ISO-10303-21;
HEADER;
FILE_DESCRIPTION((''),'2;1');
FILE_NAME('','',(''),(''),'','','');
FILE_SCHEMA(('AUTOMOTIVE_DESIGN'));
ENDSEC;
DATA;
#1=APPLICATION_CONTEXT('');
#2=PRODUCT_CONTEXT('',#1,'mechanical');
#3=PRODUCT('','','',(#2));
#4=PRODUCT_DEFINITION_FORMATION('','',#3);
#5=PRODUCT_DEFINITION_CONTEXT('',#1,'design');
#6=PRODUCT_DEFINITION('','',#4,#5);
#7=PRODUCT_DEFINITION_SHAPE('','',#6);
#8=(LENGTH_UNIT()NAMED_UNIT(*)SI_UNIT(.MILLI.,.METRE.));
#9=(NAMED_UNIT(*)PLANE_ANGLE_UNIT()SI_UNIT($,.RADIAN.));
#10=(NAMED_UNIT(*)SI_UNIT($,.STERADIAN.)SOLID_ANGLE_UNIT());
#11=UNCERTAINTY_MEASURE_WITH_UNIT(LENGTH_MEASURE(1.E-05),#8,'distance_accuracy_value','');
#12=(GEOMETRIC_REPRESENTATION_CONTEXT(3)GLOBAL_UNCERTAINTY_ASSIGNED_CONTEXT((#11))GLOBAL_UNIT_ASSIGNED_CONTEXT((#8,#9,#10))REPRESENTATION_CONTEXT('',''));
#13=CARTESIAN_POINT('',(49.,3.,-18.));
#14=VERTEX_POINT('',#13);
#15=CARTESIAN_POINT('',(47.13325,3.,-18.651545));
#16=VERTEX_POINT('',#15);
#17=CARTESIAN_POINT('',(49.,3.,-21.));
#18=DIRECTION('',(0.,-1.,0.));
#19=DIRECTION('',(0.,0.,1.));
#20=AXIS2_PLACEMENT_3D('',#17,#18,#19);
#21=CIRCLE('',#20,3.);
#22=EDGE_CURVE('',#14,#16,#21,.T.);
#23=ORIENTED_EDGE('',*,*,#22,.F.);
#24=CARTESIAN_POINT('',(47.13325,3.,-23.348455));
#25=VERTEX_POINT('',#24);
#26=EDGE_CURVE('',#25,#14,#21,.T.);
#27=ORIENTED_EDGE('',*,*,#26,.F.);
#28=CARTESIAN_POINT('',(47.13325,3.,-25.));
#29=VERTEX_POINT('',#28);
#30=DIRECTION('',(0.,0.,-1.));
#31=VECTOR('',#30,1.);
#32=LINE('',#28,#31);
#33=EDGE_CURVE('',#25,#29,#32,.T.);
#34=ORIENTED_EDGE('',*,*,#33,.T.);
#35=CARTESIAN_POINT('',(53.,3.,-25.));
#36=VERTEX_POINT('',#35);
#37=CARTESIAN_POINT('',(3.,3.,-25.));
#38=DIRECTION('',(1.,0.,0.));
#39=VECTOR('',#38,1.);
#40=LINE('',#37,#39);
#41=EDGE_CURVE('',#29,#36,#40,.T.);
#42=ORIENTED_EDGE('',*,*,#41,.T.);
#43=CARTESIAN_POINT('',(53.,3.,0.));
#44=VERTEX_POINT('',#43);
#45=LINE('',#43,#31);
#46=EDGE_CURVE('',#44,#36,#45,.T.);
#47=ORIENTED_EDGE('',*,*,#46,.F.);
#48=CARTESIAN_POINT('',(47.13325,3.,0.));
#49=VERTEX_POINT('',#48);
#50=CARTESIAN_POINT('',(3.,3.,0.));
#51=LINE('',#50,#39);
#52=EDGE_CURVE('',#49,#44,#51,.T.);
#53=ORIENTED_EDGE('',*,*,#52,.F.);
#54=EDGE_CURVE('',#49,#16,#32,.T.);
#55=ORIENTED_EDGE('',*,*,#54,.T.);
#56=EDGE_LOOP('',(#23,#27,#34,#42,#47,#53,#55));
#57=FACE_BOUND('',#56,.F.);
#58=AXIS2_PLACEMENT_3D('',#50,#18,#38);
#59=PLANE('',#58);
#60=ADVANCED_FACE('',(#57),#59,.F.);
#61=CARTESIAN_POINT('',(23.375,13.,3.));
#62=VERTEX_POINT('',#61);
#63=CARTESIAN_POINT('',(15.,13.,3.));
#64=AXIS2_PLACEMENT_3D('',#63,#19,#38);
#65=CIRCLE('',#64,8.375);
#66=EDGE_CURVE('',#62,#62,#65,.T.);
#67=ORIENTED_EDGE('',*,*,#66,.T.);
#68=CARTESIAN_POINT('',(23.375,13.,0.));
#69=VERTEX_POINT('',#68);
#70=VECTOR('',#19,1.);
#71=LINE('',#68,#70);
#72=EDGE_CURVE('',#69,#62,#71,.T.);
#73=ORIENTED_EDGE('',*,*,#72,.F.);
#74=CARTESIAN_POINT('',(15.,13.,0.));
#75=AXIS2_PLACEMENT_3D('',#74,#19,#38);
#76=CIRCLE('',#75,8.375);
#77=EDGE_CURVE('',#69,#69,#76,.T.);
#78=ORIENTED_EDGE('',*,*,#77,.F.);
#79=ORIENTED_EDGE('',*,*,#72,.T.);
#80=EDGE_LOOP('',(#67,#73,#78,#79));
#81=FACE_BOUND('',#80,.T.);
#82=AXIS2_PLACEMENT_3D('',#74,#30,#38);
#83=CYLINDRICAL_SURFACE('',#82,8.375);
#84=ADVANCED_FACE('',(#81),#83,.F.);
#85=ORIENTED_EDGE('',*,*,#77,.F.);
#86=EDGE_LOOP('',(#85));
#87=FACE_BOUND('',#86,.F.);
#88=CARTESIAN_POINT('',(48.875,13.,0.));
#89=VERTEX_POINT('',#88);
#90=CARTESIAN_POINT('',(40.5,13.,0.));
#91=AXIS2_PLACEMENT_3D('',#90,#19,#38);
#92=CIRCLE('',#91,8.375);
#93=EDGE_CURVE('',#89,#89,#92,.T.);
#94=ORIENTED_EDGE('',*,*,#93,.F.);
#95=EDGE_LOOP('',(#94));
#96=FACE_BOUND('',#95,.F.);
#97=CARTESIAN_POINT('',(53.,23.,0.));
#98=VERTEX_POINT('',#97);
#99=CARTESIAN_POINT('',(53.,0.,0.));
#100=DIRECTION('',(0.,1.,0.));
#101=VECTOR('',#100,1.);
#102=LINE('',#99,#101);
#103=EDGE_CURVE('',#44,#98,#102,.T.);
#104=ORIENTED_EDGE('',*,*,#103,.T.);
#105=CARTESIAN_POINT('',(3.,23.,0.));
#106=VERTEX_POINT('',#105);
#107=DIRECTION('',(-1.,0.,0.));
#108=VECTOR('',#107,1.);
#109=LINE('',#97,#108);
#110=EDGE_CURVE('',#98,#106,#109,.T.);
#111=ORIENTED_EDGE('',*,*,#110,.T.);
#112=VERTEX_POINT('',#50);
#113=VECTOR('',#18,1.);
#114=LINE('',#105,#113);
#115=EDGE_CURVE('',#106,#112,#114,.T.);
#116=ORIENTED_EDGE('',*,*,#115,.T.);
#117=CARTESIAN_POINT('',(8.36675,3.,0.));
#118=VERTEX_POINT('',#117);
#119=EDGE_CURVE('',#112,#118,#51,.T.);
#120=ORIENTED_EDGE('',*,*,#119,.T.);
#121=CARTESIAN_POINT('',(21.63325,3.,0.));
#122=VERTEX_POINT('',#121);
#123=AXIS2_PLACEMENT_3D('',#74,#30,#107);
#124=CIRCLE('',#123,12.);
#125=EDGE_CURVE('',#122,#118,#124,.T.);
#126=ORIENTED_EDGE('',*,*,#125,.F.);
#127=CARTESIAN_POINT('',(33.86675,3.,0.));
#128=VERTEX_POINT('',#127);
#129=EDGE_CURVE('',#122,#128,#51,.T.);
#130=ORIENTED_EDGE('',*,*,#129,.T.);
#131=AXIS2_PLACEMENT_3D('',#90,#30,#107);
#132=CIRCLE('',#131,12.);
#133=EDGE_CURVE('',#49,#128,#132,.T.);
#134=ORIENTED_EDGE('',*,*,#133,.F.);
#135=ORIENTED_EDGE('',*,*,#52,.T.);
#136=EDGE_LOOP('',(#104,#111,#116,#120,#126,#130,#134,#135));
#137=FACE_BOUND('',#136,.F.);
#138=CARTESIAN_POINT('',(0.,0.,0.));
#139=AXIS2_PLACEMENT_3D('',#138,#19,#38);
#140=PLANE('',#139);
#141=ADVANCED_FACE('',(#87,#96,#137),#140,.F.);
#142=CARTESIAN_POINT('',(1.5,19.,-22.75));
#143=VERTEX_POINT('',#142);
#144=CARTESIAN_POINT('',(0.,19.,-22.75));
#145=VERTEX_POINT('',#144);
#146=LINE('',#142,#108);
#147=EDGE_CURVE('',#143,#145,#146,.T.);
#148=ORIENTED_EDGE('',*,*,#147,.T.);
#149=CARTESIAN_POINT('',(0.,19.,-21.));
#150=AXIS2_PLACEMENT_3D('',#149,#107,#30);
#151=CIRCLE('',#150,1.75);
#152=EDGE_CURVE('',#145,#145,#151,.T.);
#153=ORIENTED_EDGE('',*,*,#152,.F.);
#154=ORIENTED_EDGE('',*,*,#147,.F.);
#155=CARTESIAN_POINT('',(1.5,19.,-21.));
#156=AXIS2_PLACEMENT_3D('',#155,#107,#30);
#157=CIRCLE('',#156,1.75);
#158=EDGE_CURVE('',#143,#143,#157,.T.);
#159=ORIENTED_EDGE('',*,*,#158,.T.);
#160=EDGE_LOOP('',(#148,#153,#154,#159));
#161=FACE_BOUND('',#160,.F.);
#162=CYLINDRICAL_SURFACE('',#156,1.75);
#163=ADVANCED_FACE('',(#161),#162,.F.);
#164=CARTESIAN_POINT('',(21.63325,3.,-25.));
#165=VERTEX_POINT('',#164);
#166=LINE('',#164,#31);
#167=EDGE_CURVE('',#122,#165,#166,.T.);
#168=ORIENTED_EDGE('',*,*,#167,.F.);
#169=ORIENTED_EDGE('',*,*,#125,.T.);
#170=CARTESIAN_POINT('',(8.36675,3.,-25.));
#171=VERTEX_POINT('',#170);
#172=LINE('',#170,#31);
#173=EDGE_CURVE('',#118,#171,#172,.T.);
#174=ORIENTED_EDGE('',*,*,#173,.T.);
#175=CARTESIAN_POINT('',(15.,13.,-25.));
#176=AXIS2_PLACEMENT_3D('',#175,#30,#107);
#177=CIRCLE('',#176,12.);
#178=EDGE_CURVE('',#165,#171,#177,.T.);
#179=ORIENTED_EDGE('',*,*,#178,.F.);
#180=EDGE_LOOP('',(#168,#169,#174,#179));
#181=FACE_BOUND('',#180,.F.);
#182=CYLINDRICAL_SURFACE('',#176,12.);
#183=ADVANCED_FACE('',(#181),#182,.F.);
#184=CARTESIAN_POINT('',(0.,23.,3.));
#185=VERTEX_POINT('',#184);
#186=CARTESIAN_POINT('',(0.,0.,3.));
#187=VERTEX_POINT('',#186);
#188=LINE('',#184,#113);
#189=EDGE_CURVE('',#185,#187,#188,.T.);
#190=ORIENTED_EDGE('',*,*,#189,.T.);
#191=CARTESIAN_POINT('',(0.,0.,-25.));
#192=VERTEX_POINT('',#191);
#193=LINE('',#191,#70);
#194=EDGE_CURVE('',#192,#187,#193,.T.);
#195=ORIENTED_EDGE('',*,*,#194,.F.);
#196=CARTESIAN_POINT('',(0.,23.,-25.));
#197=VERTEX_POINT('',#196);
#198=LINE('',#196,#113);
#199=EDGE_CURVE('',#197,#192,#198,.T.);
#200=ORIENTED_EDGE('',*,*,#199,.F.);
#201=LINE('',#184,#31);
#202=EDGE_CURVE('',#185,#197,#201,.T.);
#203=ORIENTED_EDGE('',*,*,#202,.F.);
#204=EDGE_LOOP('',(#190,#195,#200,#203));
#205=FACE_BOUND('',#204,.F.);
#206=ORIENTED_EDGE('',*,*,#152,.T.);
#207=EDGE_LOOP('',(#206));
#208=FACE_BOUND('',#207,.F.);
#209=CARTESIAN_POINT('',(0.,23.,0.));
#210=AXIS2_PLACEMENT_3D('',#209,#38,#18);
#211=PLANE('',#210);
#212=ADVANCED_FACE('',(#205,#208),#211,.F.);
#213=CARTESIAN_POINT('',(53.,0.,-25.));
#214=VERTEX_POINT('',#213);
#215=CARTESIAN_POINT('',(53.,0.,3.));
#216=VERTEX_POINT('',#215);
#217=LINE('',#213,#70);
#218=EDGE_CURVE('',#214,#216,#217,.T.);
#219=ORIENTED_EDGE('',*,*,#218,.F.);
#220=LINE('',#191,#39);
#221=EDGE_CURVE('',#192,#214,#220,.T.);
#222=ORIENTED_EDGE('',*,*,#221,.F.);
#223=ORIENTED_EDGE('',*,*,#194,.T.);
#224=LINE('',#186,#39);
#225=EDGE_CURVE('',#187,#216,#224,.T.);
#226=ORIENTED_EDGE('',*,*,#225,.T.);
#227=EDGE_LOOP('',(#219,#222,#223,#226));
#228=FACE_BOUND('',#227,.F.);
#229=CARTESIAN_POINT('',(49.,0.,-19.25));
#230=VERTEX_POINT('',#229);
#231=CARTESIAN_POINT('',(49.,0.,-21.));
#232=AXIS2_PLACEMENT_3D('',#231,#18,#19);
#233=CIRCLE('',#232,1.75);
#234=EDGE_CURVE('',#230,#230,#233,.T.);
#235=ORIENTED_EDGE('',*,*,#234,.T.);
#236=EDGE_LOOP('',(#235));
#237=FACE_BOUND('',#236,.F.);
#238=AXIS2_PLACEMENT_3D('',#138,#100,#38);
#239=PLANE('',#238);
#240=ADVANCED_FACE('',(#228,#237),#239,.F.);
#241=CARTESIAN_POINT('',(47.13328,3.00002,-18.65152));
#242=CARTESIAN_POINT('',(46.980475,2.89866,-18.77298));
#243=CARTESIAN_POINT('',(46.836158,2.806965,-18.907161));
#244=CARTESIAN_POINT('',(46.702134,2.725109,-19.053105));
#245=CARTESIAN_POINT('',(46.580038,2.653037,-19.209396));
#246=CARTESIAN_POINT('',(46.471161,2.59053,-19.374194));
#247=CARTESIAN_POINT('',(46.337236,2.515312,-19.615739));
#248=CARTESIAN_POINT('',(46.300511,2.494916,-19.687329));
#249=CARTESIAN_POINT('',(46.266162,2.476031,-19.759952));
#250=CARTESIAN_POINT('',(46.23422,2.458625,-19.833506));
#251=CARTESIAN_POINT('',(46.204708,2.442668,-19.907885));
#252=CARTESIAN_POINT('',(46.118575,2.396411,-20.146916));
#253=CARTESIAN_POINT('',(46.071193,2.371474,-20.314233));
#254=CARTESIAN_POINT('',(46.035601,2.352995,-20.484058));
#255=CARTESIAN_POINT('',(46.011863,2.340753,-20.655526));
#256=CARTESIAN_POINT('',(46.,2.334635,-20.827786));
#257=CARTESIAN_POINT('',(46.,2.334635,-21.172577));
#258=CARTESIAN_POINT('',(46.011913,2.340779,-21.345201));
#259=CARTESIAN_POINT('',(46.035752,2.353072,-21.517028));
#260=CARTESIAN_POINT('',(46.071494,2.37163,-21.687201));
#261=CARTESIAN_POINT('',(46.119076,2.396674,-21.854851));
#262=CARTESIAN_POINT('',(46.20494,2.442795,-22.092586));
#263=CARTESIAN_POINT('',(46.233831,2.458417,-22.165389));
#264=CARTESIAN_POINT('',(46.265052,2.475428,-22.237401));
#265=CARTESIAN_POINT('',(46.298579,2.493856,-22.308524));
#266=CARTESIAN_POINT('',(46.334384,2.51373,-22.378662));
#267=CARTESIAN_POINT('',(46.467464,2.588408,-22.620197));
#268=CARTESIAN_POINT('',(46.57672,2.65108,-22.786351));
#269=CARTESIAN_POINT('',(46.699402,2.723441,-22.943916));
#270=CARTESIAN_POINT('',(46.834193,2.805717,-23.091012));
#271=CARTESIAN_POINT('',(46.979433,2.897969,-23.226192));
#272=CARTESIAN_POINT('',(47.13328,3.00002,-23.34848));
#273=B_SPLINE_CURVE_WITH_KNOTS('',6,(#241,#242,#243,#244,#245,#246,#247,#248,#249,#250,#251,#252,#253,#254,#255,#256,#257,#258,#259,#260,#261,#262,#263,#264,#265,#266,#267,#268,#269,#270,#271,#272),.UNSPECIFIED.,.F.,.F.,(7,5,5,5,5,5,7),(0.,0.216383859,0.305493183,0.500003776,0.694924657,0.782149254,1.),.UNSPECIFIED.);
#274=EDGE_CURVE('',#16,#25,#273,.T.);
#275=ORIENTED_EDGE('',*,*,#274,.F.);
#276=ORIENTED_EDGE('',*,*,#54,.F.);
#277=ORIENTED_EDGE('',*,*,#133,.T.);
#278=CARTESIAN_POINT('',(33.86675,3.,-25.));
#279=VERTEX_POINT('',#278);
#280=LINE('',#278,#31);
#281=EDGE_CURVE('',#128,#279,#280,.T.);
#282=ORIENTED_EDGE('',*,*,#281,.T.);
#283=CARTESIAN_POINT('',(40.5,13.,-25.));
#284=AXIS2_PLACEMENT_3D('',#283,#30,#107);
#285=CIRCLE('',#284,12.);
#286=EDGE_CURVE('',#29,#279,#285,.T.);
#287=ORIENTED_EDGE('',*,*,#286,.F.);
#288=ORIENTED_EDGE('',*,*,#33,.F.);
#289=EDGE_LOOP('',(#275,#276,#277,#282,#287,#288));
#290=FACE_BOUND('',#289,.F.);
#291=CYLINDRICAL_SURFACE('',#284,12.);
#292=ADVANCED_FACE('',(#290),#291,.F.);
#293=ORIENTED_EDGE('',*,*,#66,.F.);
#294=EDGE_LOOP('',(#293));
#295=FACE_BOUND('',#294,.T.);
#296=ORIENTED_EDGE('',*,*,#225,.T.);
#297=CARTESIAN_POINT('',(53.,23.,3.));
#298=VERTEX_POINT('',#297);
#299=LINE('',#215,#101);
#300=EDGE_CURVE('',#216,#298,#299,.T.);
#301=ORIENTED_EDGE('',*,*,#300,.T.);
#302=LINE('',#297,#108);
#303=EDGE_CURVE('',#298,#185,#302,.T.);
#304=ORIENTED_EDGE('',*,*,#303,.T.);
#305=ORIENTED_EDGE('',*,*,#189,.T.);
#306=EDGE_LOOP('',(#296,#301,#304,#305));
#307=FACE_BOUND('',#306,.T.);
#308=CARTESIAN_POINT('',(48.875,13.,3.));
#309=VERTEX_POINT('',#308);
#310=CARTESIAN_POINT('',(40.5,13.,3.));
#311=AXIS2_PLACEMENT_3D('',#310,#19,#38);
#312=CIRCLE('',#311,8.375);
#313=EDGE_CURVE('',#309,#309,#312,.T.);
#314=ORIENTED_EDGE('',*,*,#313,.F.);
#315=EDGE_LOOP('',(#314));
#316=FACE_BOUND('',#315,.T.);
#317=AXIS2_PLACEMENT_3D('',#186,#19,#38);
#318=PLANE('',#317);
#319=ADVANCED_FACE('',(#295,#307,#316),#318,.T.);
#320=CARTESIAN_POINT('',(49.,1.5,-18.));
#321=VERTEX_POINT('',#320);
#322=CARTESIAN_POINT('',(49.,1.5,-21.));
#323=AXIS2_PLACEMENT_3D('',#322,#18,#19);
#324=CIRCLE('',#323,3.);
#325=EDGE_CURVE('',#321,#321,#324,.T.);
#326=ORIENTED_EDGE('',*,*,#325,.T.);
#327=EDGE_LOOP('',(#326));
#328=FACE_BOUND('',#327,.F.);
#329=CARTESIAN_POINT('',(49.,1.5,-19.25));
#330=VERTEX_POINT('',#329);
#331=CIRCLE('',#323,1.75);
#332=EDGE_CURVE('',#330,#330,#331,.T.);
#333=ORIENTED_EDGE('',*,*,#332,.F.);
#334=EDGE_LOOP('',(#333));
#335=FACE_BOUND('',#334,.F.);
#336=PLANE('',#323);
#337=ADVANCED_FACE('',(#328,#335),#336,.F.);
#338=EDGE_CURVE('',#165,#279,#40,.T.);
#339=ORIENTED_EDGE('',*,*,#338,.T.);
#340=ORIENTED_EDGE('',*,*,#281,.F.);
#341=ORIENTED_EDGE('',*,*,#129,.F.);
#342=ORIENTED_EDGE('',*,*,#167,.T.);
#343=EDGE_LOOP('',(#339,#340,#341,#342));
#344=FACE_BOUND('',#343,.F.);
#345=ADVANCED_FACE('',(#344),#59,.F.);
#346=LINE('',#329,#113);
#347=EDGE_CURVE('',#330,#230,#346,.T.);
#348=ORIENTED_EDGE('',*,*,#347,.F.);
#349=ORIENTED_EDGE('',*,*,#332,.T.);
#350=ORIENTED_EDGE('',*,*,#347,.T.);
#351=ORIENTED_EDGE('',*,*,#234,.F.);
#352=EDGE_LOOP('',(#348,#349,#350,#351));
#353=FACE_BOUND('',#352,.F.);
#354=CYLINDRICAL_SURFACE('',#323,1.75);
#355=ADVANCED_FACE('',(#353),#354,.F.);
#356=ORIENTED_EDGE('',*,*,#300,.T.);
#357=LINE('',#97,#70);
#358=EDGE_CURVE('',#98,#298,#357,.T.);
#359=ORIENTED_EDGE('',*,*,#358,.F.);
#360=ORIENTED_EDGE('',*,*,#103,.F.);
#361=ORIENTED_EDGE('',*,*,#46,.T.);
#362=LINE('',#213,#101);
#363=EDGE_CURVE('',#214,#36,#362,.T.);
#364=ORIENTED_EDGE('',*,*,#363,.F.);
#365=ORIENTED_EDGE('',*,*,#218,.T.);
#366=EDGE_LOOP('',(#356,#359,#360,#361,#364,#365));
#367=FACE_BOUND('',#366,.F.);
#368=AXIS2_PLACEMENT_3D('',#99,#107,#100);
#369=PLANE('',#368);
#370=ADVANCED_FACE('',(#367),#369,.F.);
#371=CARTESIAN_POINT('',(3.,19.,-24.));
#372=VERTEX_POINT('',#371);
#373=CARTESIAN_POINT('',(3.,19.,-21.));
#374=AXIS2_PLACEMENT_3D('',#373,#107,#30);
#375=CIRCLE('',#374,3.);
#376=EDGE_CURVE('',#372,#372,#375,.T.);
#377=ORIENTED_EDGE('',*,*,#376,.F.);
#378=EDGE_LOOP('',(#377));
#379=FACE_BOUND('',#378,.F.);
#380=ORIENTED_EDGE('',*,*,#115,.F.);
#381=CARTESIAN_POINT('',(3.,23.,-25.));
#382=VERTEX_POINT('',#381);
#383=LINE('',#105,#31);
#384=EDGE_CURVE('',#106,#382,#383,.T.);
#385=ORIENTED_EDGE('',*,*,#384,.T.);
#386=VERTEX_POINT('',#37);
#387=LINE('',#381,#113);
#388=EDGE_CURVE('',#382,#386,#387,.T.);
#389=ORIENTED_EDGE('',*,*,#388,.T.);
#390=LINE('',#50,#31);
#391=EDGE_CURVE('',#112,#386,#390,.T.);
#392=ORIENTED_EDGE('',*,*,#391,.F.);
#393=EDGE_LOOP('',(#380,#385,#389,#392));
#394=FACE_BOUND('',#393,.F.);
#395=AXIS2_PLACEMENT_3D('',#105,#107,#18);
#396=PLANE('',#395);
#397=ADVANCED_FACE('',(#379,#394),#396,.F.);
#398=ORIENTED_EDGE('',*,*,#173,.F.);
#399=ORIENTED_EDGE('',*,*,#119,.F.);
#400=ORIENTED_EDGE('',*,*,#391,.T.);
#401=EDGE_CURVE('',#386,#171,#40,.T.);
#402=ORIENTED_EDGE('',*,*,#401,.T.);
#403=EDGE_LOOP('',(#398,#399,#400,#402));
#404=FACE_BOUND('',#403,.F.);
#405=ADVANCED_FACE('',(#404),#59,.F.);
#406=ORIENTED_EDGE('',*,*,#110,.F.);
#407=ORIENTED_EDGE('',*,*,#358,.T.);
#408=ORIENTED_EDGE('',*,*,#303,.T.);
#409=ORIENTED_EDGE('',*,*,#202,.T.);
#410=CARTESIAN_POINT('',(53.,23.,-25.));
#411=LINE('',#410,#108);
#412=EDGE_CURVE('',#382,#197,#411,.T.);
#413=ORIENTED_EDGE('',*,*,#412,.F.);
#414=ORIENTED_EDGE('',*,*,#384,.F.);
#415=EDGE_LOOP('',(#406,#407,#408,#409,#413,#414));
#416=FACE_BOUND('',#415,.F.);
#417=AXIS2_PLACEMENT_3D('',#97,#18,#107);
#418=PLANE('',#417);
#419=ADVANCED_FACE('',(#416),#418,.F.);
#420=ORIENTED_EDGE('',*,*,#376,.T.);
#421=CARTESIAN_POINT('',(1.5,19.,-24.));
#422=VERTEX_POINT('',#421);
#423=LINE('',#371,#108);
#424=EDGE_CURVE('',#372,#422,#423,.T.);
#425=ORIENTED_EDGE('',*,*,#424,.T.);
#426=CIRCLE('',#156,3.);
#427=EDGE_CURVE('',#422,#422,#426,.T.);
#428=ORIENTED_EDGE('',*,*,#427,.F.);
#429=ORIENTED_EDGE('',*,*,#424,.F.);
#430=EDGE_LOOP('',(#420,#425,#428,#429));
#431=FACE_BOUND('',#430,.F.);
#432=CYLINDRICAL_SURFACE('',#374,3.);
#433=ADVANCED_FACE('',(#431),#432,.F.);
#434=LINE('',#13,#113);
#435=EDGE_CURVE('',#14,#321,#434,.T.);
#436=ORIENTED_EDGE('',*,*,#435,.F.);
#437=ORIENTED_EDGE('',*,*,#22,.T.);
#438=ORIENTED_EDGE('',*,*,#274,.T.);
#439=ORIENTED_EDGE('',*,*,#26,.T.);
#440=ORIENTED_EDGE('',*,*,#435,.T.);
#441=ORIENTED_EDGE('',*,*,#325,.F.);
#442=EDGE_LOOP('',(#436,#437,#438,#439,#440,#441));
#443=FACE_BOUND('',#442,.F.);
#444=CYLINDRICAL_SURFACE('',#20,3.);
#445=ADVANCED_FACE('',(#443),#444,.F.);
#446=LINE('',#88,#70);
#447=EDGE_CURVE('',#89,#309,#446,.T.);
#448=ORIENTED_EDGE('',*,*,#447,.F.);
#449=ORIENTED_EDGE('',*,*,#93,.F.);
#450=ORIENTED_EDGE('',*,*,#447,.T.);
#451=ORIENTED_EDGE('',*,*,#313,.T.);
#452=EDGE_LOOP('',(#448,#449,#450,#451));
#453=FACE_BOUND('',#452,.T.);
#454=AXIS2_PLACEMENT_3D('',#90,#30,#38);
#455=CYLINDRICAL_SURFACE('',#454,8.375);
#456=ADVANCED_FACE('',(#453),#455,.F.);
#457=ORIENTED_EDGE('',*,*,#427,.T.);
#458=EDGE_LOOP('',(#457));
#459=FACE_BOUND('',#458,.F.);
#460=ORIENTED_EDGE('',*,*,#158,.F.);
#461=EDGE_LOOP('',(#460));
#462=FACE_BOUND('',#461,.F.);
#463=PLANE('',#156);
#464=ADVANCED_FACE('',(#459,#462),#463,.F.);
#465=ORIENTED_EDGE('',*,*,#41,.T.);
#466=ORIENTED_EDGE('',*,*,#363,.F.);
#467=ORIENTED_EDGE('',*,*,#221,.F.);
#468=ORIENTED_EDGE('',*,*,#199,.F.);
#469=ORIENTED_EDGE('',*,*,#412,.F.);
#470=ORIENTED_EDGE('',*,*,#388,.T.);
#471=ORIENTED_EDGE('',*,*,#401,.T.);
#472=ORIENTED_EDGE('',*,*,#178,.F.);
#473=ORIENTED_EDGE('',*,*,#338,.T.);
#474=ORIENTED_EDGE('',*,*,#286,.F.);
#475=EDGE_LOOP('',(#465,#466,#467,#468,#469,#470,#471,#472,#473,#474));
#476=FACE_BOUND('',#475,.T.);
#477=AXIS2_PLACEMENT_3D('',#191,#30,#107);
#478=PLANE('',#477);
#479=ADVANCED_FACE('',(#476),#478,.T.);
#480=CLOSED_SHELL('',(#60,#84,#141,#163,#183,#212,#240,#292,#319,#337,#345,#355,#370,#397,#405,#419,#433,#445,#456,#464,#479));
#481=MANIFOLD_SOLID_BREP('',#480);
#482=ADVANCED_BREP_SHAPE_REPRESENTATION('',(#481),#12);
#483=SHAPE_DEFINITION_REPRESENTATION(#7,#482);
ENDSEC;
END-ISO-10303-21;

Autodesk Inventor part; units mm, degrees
ref_plane "YZ Plane" through (0, 0, 0) normal (1, 0, 0) x (0, 1, 0)
ref_plane "XZ Plane" through (0, 0, 0) normal (0, 1, 0) x (-1, 0, 0)
ref_plane "XY Plane" through (0, 0, 0) normal (0, 0, 1) x (1, 0, 0)
sketch "Skizze1" plane through (0, 0, 0) normal (0, 0, 1) x (1, 0, 0)
  line L0 (0, 0) -> (53, 0)
  line L1 (53, 0) -> (53, 23)
  line L2 (53, 23) -> (0, 23)
  line L3 (0, 23) -> (0, 0)
  circle A0 centre (15, 13) radius 8.375
  circle A1 centre (40.5, 13) radius 8.375
  dimension "D" = 16.75
  dimension "d1" = 16.75
  dimension "Hoehe" = 23
  dimension "L" = 53
  dimension "d5" = 15
  dimension "d7" = 10
  dimension "d14" = 12.5
extrude "Extrusion1" add sketch "Skizze1" along normal blind 3
sketch "Skizze2" plane through (0, 0, 0) normal (0, 0, -1) x (-1, 0, 0)
  line L0 (-53, 0) -> (-53, 23) projected
  line L1 (0, 0) -> (-53, 0) projected
  line L2 (0, 23) -> (0, 0) projected
  line L3 (-53, 23) -> (0, 23) projected
  circle A0 centre (-15, 13) radius 8.375 projected
  circle A1 centre (-40.5, 13) radius 8.375 projected
  line L4 (-53, 23) -> (0, 23) projected
  line L5 (-3, 23) -> (-3, 3)
  line L6 (-3, 3) -> (-53, 3)
  dimension "Dicke" = 3
  dimension "d11" = 3
extrude "Extrusion2" add sketch "Skizze2" along normal blind 25 contours L0 L6 L5 L3 L2 L1
sketch "Skizze3" plane through (3, 3, 0) normal (0, 1, 0) x (1, 0, 0)
  line L0 (50, 0) -> (50, 25) projected
  line L1 (0, 25) -> (50, 25) projected
  point P0 (-3, 0)
  point P1 (46, 21)
  dimension "d22" = 4
  dimension "d23" = 4
hole "Bohrung1" at (49, 3, -21) direction (0, -1, 0) diameter 3.5 end through all counterbore diameter 6 counterbore depth 1.5
sketch "Skizze4" plane through (3, 3, 0) normal (1, 0, 0) x (0, 0, -1)
  line L0 (0, 20) -> (25, 20) projected
  line L1 (25, 20) -> (25, 0) projected
  point P0 (0, -3)
  point P1 (21, 16)
  dimension "d31" = 4
  dimension "d32" = 4
hole "Bohrung2" at (3, 19, -21) direction (-1, 0, 0) diameter 3.5 end through all counterbore diameter 6 counterbore depth 1.5
sketch "Skizze5" plane through (0, 0, -25) normal (0, 0, -1) x (-1, 0, 0)
  circle A0 centre (-40.5, 13) radius 8.375 projected
  circle A1 centre (-15, 13) radius 8.375 projected
  circle A2 centre (-40.5, 13) radius 12
  circle A3 centre (-15, 13) radius 12
  point P0 (0, 0)
  point P1 (-29.75, 9.4628)
  point P2 (-29.75, 14.5372)
  dimension "d33" = 24
  dimension "d34" = 24
extrude "Extrusion3" cut sketch "Skizze5" against normal blind 25
equation "\"d1\" = D"
equation "\"d11\" = Dicke"
equation "\"d23\" = d22"
equation "\"d34\" = d33"
properties part number "Buttons_Mount_v3"
